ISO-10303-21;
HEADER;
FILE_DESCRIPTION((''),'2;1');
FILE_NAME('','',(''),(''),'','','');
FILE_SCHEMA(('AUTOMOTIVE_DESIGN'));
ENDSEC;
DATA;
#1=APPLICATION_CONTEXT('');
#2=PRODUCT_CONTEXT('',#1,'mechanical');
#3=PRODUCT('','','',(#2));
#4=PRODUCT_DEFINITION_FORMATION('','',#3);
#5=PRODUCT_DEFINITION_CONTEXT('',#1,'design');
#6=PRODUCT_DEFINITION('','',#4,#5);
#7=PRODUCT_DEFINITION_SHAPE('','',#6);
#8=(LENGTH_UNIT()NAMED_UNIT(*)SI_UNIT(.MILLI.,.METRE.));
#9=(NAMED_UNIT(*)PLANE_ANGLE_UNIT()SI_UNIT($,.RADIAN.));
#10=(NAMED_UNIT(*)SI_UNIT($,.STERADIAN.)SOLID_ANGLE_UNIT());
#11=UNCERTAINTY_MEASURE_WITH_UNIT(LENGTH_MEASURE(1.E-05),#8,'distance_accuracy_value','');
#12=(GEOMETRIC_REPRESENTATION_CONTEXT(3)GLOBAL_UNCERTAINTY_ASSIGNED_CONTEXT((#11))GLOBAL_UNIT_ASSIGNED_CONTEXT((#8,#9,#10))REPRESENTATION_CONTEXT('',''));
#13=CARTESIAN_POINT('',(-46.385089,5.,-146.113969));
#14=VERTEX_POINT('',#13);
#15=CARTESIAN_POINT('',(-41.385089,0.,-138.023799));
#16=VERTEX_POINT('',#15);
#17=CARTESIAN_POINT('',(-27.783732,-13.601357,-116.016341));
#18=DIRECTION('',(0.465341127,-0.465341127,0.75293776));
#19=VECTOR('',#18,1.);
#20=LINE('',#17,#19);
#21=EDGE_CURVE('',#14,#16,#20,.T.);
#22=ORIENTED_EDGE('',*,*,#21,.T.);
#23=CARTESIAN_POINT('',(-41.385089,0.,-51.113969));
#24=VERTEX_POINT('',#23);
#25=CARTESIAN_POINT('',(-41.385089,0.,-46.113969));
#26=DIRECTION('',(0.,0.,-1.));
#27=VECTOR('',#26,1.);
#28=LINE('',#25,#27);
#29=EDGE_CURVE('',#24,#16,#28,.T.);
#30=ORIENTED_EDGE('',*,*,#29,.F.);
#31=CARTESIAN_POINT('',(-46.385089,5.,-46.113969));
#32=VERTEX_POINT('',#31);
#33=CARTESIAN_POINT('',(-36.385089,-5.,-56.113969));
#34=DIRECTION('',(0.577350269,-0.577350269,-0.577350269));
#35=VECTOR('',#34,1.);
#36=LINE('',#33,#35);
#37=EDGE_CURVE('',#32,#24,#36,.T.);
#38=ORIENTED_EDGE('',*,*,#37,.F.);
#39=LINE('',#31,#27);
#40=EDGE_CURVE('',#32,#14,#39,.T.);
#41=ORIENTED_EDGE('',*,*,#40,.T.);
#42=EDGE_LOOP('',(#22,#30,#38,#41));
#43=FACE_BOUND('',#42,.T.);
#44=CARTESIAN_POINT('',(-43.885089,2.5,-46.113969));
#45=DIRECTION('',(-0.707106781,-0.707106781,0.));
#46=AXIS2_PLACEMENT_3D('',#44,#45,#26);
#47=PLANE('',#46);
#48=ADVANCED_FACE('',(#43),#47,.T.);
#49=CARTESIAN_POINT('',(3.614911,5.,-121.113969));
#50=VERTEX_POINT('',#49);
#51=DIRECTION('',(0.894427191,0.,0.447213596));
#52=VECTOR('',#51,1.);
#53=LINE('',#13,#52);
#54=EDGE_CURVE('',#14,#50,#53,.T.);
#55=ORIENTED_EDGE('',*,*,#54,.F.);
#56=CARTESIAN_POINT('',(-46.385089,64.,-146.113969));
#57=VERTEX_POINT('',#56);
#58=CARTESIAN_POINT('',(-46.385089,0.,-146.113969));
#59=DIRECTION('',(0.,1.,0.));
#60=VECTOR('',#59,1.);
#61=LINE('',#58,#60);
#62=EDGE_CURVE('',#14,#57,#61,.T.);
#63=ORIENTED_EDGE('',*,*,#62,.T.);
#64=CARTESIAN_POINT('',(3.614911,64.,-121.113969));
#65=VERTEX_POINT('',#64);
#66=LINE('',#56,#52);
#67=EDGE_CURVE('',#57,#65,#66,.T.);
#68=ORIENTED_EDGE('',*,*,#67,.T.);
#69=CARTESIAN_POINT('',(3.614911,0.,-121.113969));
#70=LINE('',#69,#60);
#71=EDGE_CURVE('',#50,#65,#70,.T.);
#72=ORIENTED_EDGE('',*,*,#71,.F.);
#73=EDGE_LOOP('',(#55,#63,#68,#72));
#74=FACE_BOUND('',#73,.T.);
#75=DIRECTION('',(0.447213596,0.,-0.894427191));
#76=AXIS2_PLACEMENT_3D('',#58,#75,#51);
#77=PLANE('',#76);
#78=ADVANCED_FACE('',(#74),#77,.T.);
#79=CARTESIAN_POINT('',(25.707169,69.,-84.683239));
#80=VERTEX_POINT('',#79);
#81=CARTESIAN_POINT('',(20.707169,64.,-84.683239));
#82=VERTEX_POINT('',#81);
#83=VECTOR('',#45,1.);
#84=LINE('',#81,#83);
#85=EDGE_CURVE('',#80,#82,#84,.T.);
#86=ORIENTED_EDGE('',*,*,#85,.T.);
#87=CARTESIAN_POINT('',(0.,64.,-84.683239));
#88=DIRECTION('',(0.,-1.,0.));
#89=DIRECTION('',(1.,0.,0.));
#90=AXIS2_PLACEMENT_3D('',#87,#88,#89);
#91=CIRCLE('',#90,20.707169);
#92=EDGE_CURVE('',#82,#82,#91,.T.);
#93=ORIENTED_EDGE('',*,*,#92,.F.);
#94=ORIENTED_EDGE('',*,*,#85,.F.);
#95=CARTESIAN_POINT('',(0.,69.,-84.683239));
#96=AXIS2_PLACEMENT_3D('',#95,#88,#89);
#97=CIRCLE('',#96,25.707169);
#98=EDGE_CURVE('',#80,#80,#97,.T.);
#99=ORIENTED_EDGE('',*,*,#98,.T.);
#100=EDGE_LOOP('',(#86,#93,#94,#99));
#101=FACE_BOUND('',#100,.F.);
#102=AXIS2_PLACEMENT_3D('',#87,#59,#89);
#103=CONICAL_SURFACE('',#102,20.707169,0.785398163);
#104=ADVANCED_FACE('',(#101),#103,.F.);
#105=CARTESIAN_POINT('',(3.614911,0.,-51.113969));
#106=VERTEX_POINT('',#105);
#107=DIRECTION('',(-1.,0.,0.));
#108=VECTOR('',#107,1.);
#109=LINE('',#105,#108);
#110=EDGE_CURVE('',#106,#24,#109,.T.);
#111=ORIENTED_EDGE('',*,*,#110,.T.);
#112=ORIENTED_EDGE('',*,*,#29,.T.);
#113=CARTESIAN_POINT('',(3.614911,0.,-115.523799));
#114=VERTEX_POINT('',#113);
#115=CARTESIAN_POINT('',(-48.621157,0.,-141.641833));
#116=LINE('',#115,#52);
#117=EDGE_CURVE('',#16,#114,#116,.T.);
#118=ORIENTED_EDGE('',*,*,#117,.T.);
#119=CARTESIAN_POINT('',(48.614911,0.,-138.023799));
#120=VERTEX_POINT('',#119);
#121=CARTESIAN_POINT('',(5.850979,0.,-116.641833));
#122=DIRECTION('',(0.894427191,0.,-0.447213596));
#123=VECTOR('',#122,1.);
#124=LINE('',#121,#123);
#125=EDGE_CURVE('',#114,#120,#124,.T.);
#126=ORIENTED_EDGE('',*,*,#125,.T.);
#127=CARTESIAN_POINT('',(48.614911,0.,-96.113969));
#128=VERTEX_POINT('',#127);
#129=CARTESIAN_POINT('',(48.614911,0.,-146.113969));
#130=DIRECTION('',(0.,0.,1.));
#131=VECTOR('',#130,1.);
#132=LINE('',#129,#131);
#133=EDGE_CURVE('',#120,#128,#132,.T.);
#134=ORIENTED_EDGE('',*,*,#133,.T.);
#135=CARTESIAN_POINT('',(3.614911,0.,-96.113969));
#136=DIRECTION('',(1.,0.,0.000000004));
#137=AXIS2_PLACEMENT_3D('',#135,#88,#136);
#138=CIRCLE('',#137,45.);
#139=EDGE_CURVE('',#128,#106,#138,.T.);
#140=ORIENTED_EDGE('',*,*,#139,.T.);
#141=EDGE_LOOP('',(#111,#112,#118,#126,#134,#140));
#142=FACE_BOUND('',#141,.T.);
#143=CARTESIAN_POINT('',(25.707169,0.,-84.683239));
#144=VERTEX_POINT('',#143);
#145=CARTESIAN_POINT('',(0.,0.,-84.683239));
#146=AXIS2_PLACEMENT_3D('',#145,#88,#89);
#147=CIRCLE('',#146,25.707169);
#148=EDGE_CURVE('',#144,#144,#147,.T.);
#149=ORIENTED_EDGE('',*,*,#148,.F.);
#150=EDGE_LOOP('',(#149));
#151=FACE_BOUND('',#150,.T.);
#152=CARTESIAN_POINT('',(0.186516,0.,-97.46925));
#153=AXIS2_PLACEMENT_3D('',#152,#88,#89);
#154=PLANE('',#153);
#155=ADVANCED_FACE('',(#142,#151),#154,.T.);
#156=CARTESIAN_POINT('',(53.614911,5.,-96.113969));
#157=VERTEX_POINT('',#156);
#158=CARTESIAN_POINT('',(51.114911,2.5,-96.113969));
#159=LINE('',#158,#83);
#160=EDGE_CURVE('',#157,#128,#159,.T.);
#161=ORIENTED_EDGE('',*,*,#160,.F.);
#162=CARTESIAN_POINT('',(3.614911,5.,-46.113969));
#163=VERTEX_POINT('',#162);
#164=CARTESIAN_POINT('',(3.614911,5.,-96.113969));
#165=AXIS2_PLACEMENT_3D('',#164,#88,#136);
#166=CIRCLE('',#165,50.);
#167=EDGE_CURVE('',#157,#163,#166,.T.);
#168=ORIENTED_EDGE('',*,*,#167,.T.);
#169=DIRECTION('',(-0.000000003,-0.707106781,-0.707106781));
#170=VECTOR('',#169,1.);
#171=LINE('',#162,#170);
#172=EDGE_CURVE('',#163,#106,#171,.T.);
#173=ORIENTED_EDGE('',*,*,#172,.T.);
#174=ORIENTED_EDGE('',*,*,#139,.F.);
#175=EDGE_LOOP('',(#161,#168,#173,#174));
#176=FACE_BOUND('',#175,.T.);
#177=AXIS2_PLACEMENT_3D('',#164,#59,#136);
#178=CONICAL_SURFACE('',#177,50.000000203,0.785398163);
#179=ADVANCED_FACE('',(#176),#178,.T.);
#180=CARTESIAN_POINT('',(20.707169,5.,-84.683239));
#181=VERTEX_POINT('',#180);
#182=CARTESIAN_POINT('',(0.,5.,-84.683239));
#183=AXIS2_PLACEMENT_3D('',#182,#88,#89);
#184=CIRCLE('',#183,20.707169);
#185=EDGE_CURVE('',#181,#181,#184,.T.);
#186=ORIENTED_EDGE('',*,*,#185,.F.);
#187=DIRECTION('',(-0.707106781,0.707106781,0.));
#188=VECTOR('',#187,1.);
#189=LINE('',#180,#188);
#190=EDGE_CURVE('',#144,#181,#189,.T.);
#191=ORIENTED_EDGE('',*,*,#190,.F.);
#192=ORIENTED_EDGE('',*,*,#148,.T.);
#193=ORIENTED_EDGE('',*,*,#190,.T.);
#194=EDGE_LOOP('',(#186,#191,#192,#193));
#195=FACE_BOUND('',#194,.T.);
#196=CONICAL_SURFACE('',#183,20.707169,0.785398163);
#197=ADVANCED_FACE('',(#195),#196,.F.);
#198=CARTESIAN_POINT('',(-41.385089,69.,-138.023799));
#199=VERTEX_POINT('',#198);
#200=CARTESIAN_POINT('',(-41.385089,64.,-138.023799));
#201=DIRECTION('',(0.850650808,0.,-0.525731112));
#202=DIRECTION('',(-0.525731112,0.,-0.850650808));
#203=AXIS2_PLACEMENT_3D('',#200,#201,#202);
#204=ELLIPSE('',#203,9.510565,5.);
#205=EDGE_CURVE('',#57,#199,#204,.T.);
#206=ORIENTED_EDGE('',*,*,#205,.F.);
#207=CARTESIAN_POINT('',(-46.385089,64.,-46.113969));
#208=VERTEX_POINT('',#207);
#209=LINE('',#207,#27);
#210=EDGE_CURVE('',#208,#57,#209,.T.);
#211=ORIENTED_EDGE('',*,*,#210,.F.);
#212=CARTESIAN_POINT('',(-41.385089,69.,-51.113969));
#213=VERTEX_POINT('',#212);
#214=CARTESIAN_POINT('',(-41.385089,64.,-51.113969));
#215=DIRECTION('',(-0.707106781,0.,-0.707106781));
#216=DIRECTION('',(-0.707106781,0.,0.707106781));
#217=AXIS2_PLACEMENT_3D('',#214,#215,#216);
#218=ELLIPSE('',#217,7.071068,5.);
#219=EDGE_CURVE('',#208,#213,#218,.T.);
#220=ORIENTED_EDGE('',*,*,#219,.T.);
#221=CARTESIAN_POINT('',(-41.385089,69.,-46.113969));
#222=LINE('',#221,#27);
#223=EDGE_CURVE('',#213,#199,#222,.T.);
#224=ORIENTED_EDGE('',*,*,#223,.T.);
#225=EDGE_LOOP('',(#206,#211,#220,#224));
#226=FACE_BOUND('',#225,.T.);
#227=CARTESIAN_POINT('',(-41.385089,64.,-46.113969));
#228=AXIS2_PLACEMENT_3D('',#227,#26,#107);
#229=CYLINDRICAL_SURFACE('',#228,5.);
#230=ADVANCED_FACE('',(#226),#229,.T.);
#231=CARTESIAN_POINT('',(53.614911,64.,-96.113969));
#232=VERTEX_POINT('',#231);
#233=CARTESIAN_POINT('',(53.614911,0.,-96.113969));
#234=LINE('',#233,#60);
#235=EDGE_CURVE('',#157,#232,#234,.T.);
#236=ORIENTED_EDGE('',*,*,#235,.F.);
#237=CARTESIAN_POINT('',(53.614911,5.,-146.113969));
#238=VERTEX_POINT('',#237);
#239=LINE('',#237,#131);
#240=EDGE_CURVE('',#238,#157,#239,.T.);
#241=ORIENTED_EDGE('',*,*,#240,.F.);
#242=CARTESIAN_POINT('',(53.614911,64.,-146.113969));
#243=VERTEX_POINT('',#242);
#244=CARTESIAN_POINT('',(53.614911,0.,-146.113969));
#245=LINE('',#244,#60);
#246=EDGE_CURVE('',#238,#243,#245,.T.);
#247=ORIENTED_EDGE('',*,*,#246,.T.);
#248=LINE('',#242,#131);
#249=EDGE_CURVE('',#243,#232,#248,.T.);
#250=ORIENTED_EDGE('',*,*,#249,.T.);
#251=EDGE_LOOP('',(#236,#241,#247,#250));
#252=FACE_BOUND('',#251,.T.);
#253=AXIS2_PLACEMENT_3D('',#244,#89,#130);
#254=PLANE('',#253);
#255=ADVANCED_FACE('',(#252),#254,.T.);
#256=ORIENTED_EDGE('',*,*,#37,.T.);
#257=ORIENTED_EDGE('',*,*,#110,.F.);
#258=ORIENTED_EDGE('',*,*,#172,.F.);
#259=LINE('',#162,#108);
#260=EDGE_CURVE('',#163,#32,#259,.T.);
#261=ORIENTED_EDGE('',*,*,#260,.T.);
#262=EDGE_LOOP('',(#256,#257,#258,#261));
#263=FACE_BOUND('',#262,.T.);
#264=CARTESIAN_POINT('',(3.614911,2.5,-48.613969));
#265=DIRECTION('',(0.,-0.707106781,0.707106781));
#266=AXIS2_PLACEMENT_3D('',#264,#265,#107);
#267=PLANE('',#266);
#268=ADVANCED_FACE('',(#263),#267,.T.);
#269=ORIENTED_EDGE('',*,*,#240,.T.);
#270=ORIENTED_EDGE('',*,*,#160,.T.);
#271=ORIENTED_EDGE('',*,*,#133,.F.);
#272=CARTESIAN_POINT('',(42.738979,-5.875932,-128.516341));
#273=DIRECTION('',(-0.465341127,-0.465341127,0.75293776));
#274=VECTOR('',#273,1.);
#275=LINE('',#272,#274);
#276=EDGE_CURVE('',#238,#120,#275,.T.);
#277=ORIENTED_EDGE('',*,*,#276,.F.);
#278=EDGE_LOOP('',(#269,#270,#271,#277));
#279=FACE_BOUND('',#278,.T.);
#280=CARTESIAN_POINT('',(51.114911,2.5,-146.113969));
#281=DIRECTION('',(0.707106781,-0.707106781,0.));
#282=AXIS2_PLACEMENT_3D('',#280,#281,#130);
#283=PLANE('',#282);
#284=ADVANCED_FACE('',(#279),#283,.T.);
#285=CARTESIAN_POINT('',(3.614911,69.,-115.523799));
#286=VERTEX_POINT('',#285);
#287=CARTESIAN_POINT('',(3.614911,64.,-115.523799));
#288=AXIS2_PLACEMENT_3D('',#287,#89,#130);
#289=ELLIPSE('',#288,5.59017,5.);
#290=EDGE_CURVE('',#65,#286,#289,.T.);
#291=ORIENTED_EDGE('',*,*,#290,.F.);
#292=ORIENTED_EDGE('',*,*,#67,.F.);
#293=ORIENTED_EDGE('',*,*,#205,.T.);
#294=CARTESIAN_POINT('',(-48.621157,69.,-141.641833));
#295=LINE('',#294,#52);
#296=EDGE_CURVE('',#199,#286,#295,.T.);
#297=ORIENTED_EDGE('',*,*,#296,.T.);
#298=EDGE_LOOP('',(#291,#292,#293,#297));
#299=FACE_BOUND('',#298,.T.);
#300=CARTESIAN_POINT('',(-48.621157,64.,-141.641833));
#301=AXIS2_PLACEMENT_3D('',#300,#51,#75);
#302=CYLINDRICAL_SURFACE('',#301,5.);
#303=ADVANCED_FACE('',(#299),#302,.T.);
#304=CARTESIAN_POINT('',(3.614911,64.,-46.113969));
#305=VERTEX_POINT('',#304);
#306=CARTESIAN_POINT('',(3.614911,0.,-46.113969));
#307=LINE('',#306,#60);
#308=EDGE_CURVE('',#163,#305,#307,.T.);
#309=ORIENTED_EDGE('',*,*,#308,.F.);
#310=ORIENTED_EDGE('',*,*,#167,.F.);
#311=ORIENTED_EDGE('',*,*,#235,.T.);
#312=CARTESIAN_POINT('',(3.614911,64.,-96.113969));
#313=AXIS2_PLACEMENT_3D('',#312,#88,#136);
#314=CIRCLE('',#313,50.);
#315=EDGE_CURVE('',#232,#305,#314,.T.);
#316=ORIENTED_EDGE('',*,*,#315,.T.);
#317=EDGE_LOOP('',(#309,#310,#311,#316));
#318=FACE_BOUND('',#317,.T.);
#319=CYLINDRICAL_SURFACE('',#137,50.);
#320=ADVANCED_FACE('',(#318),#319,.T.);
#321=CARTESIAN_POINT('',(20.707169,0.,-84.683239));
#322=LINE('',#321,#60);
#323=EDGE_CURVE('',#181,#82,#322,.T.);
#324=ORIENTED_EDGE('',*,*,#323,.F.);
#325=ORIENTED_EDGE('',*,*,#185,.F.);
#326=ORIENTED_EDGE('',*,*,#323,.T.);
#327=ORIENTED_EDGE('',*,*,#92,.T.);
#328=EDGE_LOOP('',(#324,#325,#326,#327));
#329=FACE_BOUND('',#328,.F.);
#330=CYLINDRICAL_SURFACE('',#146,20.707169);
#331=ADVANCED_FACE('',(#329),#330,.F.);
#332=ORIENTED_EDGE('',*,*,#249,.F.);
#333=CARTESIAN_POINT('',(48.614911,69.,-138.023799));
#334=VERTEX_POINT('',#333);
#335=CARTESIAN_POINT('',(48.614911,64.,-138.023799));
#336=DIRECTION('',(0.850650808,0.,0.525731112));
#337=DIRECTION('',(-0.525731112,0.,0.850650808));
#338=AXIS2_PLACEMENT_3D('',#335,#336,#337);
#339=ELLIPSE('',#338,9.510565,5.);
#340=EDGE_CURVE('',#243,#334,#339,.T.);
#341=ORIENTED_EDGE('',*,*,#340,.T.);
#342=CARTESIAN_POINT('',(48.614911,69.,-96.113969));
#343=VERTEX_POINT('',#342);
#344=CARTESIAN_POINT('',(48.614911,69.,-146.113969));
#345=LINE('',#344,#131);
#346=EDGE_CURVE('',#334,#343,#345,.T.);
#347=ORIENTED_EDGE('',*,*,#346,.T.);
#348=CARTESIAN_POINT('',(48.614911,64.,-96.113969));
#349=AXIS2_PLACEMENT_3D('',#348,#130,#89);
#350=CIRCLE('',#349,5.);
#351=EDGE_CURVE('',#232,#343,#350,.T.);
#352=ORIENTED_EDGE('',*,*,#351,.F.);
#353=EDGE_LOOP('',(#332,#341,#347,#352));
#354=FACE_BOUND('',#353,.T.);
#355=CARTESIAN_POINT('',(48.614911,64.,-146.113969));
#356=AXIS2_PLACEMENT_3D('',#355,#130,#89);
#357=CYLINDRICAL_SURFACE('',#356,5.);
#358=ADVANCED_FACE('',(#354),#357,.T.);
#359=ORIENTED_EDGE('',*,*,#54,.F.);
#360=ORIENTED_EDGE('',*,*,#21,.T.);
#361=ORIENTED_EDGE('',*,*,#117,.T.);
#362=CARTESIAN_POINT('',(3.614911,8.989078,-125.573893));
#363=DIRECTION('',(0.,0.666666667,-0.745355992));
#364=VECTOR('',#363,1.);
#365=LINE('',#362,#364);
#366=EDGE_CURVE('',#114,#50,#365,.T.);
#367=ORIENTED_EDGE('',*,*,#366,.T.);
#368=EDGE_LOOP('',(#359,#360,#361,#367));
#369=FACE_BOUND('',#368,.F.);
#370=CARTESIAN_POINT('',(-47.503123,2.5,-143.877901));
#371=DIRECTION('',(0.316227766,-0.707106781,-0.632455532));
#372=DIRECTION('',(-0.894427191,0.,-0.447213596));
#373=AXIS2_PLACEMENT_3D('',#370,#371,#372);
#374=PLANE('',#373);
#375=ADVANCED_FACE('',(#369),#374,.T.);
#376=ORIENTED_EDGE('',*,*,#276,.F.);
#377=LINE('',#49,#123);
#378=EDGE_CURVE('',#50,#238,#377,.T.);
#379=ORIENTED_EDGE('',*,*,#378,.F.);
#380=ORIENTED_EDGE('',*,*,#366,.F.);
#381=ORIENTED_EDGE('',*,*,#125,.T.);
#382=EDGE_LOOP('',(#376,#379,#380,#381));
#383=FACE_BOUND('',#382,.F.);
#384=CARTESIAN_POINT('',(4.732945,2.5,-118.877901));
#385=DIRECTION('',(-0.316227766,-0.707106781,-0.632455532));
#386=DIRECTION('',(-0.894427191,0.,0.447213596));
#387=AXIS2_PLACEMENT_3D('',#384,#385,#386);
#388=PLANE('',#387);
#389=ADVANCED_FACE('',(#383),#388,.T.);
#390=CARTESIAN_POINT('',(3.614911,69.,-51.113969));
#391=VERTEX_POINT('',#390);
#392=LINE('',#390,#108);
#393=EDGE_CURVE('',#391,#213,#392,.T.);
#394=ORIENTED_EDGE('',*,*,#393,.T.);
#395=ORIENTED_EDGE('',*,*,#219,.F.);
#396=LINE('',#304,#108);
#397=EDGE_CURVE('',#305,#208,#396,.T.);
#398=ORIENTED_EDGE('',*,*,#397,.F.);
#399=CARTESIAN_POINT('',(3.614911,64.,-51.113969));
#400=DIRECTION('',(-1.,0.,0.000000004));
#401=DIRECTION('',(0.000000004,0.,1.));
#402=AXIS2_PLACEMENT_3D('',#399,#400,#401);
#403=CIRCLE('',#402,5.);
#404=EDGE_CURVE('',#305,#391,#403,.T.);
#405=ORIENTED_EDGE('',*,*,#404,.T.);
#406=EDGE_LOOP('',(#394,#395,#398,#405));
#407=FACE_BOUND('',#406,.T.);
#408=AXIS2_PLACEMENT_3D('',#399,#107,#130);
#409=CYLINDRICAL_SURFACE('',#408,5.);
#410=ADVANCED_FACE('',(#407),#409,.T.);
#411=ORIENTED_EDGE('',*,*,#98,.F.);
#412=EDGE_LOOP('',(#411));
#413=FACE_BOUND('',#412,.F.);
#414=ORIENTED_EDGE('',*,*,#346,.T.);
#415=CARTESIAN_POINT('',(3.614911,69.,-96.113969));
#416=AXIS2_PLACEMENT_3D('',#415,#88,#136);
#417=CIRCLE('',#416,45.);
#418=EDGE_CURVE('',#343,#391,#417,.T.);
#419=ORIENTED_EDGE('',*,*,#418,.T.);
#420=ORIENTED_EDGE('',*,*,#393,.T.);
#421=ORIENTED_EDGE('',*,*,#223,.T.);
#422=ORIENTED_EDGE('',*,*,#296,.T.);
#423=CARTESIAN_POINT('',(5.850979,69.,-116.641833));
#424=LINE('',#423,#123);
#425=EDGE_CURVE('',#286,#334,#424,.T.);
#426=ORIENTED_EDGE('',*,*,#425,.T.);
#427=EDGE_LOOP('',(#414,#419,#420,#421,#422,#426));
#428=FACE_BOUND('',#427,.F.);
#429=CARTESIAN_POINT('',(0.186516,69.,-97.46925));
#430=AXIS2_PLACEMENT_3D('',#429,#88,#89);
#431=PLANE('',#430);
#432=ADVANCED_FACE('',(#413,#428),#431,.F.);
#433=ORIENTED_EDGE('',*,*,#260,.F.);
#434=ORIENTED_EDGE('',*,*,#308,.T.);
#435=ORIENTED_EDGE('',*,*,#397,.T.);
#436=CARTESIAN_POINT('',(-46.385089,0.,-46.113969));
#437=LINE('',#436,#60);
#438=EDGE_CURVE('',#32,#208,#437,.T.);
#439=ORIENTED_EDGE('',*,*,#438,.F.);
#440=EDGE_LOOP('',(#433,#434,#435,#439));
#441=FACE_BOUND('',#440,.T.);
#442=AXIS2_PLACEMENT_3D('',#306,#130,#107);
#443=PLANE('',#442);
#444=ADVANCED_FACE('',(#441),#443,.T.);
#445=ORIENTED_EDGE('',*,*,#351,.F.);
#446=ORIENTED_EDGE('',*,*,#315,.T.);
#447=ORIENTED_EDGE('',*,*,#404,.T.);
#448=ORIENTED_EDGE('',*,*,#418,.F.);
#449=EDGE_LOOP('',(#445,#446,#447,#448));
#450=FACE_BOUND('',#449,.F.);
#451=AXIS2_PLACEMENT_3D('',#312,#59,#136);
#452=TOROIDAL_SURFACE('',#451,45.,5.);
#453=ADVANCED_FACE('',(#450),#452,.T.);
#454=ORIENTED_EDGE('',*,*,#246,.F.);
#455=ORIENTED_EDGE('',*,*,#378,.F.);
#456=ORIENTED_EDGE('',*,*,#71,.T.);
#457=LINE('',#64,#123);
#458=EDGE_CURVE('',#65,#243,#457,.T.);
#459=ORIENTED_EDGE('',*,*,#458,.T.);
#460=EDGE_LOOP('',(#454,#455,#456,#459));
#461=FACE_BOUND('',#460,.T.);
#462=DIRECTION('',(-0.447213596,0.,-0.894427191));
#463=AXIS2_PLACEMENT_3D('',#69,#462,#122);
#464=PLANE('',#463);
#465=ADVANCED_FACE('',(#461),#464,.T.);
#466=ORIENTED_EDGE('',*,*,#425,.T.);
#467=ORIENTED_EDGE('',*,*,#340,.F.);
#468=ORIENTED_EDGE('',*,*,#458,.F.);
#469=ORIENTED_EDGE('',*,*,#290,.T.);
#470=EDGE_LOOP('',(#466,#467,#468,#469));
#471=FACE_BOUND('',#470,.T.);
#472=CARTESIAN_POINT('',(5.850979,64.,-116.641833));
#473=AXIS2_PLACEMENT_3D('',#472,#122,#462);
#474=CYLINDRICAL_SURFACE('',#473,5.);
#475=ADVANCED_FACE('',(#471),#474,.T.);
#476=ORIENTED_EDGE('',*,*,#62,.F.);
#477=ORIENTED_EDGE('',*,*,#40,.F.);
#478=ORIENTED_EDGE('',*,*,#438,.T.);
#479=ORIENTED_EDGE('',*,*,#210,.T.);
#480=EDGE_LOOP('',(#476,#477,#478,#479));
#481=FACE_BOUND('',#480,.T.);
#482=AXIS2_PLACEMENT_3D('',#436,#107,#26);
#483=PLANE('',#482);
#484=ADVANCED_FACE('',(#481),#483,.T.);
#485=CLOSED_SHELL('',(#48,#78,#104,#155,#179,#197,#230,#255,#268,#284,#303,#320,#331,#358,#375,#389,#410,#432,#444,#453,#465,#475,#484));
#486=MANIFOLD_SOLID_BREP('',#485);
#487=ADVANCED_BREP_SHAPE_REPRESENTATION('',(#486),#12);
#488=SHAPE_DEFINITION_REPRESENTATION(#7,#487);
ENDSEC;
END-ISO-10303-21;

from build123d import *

# Parameters (mm, degrees)
F1_DEPTH = 69
F2_R     = 5
F3_SIZE  = 5
F4_R     = 20.707169
F5_DEPTH = 69
F6_SIZE  = 5


with BuildPart() as f1:
    # F0 (on Front) → F1 (new body)
    with BuildSketch(Plane.XZ):
        with BuildLine():
            Line((-46.385089, -46.113969), (-46.385089, -96.113969))
            Line((-46.385089, -96.113969), (-46.385089, -146.113969))
            Line((-46.385089, -146.113969), (3.614911, -121.113969))
            Line((3.614911, -121.113969), (53.614911, -146.113969))
            Line((53.614911, -146.113969), (53.614911, -96.113969))
            ThreePointArc((53.614911, -96.113969), (38.97025, -60.75863), (3.614911, -46.113969))
            Line((3.614911, -46.113969), (-46.385089, -46.113969))
        make_face()
    extrude(amount=-F1_DEPTH)

    # F2
    f2_edges = [f1.edges().sort_by_distance(p)[0] for p in [
        (-21.385089, 69, -46.113969),
        (-46.385089, 69, -96.113969),
        (-21.385089, 69, -133.613969),
        (28.614911, 69, -133.613969),
        (53.614911, 69, -121.113969),
        (38.97025, 69, -60.75863),
    ]]
    fillet(f2_edges, radius=F2_R)

    # F3
    f3_edges = [f1.edges().sort_by_distance(p)[0] for p in [
        (-21.385089, 0, -46.113969),
        (-46.385089, 0, -96.113969),
        (-21.385089, 0, -133.613969),
        (28.614911, 0, -133.613969),
        (53.614911, 0, -121.113969),
        (38.97025, 0, -60.75863),
    ]]
    chamfer(f3_edges, length=F3_SIZE)

    # F4 (on face) → F5 (cut)
    with BuildSketch(Plane.XZ):
        with Locations((0, -84.683239)):
            Circle(F4_R)
    extrude(amount=-F5_DEPTH, mode=Mode.SUBTRACT)

    # F6
    f6_edges = [f1.edges().sort_by_distance(p)[0] for p in [
        (20.707169, 34.5, -84.683239),
        (-20.707169, 0, -84.683239),
        (-20.707169, 69, -84.683239),
    ]]
    chamfer(f6_edges, length=F6_SIZE)


solid = f1.part
